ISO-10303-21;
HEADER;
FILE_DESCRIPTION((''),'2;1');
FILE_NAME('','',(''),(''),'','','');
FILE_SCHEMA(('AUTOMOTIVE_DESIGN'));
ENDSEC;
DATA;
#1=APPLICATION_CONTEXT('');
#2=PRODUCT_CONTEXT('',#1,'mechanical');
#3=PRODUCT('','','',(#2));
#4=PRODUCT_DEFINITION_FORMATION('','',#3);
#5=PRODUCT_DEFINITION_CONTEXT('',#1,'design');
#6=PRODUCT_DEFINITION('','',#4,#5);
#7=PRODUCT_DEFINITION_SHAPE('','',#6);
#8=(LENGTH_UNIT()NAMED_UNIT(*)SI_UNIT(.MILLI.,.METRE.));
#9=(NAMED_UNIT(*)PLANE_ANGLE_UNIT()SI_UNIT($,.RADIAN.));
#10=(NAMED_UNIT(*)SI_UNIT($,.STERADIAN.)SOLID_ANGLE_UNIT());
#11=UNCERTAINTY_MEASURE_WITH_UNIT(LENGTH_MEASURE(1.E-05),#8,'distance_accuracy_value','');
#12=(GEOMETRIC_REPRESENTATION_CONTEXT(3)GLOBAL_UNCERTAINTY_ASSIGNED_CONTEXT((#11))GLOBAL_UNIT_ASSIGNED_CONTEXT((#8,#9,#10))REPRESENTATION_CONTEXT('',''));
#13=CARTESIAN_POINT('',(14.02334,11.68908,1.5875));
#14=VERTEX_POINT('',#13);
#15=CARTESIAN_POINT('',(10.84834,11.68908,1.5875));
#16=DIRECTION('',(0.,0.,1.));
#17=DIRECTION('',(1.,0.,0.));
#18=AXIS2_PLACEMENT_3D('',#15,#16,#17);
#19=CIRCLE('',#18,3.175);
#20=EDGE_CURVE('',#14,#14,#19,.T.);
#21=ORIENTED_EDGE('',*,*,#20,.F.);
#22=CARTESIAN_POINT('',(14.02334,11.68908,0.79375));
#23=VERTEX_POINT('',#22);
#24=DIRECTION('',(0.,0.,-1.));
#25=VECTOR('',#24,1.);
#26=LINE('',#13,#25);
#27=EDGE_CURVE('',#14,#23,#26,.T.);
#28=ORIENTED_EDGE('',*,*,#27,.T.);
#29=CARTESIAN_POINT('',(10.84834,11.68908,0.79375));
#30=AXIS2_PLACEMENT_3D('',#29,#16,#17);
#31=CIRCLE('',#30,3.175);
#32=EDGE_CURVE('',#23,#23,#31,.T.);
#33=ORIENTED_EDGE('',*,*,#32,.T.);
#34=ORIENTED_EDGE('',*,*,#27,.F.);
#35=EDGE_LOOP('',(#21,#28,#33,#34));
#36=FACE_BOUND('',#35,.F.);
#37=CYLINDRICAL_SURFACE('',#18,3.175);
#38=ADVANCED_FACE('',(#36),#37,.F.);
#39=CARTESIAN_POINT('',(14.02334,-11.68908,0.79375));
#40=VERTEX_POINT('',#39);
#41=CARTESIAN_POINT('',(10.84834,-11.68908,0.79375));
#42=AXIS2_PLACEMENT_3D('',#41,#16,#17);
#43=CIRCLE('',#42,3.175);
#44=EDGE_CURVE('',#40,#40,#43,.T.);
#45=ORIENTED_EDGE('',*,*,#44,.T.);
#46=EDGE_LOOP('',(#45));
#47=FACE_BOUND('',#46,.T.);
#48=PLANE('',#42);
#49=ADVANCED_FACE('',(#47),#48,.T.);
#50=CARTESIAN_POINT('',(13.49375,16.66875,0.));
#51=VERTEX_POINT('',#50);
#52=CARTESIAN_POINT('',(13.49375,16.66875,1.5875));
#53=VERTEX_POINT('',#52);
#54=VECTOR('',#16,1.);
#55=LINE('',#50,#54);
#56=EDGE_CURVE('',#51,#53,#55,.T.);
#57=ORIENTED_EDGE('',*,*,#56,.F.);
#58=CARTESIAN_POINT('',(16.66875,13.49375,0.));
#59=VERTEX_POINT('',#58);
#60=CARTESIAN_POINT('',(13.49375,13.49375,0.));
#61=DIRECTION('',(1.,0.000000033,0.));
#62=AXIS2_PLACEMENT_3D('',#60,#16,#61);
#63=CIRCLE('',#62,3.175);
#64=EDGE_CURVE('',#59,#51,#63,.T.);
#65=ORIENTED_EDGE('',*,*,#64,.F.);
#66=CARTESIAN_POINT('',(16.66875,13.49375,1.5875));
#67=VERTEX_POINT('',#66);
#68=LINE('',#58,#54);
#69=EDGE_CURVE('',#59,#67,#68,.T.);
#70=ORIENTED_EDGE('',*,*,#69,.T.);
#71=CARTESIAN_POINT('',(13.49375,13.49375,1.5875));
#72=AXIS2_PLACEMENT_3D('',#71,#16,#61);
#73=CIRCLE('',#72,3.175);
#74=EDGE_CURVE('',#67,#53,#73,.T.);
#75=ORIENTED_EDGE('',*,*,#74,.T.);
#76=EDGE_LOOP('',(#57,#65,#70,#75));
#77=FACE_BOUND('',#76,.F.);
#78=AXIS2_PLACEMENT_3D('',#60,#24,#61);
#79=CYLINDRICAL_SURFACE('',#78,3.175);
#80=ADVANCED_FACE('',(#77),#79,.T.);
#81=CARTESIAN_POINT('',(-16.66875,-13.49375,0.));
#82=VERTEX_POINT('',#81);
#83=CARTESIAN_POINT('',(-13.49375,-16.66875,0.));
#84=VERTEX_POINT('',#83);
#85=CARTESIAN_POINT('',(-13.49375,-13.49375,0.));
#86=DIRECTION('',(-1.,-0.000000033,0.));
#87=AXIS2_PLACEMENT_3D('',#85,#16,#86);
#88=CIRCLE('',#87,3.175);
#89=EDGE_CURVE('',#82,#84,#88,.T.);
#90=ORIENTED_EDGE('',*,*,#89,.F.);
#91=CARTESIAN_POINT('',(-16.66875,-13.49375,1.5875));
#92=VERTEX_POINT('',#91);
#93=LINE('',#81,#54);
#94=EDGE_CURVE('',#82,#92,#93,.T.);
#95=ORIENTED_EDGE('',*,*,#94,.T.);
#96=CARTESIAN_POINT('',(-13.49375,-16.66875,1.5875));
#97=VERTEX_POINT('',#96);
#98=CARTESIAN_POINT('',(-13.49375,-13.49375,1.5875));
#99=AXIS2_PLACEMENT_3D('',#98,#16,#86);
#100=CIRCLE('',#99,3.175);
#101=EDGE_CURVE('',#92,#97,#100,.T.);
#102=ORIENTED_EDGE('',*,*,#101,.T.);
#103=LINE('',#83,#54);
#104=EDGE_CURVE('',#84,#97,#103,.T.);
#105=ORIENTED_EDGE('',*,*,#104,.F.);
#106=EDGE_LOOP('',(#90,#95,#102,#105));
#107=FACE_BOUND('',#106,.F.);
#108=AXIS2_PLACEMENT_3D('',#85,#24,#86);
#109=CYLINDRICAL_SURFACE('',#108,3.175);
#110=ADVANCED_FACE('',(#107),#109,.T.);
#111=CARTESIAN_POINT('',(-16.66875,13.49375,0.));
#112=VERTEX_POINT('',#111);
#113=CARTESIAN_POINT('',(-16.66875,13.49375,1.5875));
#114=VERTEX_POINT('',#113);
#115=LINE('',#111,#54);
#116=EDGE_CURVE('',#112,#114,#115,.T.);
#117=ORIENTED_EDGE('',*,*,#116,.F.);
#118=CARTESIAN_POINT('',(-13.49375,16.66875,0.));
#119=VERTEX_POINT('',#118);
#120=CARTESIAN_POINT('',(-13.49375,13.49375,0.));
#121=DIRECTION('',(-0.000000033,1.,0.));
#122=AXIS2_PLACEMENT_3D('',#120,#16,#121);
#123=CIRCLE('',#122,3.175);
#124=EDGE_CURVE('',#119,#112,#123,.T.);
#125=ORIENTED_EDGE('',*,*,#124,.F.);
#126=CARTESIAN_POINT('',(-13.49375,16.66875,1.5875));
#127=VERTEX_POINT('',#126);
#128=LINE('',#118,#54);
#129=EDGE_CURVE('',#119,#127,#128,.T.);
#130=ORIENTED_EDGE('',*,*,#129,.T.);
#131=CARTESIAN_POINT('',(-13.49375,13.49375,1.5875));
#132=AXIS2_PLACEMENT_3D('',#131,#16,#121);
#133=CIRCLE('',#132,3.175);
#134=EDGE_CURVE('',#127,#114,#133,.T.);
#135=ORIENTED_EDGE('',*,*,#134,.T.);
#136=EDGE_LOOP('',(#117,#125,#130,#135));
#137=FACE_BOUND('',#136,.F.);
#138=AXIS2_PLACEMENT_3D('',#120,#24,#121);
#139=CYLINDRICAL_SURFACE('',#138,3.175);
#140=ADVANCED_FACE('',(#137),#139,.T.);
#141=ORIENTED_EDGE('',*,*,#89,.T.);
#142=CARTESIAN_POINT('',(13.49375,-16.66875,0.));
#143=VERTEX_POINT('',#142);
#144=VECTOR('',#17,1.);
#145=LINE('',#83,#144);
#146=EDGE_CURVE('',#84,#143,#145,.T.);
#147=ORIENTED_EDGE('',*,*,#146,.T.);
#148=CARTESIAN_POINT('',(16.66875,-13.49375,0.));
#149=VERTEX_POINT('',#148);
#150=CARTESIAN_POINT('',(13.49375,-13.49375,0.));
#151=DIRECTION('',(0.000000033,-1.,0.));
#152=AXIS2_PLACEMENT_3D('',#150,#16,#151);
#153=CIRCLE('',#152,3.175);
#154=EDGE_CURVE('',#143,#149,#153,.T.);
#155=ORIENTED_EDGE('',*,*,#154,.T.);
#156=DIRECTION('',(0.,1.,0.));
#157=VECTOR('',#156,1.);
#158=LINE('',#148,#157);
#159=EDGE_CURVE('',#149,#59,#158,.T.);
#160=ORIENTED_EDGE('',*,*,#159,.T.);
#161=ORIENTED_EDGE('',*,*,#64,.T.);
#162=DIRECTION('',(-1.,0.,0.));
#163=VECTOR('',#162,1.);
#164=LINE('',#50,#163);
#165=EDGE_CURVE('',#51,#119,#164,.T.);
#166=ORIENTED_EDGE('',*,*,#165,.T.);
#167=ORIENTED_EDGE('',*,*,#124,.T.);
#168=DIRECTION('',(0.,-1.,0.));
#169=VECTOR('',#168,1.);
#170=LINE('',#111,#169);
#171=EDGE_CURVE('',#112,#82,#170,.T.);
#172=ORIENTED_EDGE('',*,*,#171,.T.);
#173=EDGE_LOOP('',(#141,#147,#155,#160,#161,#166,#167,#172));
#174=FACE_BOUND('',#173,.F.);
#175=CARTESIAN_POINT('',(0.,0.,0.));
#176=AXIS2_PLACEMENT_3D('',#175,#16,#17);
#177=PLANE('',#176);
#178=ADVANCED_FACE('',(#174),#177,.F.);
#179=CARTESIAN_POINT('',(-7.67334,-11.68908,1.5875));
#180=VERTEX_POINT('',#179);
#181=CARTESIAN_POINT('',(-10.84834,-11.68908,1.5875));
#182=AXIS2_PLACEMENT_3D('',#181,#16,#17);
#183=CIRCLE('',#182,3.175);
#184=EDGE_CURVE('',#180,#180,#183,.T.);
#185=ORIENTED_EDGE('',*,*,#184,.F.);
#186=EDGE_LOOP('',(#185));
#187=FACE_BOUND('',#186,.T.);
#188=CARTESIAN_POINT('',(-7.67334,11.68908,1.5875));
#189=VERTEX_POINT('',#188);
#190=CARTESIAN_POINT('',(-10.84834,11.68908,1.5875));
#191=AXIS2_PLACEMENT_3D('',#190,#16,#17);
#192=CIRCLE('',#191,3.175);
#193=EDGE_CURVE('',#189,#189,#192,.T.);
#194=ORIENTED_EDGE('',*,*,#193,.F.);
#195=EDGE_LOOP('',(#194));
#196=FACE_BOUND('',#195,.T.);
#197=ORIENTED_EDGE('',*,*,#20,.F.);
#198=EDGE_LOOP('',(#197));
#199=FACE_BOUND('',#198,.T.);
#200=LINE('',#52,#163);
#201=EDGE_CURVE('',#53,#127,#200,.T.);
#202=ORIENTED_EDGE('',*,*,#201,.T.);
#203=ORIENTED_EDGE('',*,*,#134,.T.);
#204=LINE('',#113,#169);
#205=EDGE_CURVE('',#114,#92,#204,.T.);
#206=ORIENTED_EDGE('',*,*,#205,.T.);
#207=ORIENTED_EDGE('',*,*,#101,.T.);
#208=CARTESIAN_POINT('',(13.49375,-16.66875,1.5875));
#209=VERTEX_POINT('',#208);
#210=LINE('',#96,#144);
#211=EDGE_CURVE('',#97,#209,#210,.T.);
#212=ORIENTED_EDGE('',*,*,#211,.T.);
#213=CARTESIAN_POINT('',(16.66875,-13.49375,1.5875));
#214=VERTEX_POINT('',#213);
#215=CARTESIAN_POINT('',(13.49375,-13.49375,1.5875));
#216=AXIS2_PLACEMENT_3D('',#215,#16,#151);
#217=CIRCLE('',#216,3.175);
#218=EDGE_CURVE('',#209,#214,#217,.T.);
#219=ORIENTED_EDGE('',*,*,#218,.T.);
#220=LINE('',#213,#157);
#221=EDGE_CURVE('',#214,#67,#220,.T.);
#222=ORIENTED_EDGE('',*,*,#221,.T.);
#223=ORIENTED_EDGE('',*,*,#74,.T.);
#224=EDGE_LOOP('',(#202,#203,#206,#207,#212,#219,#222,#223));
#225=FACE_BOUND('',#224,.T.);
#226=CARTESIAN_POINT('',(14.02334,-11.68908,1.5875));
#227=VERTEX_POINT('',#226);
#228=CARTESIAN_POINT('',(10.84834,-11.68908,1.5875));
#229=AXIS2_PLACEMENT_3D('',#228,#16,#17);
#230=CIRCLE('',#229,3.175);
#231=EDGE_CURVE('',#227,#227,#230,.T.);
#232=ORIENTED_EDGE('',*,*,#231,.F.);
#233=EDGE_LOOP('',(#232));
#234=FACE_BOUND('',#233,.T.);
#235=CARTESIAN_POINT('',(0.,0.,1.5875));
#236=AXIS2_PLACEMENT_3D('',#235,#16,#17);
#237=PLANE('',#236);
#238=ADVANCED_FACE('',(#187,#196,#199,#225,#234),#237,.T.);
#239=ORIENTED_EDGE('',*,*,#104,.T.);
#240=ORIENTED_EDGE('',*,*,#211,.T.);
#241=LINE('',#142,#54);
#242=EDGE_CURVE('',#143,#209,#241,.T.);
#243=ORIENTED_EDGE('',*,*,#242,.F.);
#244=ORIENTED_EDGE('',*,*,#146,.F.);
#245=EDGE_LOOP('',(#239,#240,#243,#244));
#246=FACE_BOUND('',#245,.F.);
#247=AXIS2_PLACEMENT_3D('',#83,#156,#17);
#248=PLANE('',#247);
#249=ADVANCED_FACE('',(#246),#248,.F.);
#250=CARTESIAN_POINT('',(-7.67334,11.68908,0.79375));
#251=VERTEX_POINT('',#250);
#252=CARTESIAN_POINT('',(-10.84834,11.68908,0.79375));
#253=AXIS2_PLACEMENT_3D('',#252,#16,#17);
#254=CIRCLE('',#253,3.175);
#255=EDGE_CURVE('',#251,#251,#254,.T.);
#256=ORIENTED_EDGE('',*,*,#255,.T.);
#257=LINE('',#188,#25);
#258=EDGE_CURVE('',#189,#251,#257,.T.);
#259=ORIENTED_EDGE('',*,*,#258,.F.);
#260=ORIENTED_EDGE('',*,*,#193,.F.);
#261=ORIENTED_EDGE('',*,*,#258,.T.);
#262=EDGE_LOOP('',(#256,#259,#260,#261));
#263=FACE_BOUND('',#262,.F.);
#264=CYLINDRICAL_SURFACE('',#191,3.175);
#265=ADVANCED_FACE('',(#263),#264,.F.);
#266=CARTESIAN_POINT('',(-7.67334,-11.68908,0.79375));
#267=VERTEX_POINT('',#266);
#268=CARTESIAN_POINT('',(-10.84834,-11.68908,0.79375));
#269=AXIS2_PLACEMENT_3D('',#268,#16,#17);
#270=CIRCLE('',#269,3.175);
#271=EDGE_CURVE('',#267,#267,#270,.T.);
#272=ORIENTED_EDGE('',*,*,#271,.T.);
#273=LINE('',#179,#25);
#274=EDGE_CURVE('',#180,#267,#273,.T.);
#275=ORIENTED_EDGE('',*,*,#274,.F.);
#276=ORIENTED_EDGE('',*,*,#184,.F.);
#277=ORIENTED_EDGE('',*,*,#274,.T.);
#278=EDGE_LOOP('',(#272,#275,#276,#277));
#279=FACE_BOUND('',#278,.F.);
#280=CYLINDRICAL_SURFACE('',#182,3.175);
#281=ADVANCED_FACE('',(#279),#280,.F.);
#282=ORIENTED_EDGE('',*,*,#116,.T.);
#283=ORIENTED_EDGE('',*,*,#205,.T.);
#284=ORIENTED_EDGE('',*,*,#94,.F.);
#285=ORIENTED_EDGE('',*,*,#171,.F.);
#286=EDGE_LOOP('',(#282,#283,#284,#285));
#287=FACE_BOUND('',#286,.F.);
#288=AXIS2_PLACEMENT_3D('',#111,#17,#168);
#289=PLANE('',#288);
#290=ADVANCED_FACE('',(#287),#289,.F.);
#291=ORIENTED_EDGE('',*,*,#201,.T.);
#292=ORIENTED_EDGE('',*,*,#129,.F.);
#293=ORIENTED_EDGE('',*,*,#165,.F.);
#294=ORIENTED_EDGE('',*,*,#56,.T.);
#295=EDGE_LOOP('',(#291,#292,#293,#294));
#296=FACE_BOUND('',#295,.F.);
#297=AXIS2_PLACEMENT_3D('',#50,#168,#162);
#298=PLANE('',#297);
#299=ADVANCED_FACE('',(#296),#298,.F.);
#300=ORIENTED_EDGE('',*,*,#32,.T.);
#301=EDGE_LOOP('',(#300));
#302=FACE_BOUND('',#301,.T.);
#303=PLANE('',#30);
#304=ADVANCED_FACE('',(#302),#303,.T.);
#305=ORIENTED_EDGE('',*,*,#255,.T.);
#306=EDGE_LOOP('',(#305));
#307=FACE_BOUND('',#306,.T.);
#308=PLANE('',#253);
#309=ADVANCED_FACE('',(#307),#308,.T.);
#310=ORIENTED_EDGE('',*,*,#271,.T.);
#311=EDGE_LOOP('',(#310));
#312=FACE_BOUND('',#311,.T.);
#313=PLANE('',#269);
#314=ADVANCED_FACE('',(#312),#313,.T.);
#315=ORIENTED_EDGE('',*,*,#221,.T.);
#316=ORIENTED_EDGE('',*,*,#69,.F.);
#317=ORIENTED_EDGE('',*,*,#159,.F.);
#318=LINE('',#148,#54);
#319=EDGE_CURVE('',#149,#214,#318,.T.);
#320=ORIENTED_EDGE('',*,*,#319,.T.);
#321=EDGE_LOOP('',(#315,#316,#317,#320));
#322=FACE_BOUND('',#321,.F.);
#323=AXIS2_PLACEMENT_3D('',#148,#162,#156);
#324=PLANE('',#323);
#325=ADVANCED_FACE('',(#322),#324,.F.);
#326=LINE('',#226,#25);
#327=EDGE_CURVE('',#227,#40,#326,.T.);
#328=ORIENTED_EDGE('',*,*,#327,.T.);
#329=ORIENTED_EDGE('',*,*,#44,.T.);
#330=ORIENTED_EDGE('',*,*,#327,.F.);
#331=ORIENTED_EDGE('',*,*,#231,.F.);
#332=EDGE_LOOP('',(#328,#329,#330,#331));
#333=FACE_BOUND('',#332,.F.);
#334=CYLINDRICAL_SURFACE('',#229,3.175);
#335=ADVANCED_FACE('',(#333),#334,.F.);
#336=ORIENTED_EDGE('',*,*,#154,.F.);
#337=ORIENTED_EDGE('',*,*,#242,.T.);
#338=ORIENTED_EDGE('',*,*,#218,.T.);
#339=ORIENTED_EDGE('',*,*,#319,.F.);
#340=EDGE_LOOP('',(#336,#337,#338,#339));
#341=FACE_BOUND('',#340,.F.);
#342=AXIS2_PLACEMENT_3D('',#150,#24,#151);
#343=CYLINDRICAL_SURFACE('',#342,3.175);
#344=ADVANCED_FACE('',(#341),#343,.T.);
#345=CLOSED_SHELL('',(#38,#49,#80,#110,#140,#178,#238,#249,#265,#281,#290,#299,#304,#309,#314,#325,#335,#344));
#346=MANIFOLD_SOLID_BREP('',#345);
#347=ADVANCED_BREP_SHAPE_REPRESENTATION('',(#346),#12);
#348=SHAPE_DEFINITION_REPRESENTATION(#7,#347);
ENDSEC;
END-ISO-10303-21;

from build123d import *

# Parameters (mm, degrees)
F1_DEPTH = 1.5875
F2_R     = 3.175
F3_DEPTH = 0.79375


with BuildPart() as f1:
    # F0 (on Top) → F1 (new body)
    with BuildSketch(Plane.XY):
        with BuildLine():
            Line((-13.49375, -16.66875), (13.49375, -16.66875))
            ThreePointArc((13.49375, -16.66875), (15.738814, -15.738814), (16.66875, -13.49375))
            Line((16.66875, -13.49375), (16.66875, 13.49375))
            ThreePointArc((16.66875, 13.49375), (15.738814, 15.738814), (13.49375, 16.66875))
            Line((13.49375, 16.66875), (-13.49375, 16.66875))
            ThreePointArc((-13.49375, 16.66875), (-15.738814, 15.738814), (-16.66875, 13.49375))
            Line((-16.66875, 13.49375), (-16.66875, -13.49375))
            ThreePointArc((-16.66875, -13.49375), (-15.738814, -15.738814), (-13.49375, -16.66875))
        make_face()
    extrude(amount=F1_DEPTH)

    # F2 (on face) → F3 (cut)
    with BuildSketch(Plane.XY.offset(1.5875)):
        with Locations((-10.84834, 11.68908)):
            Circle(F2_R)
        with Locations((10.84834, 11.68908)):
            Circle(F2_R)
        with Locations((10.84834, -11.68908)):
            Circle(F2_R)
        with Locations((-10.84834, -11.68908)):
            Circle(F2_R)
    extrude(amount=-F3_DEPTH, mode=Mode.SUBTRACT)


solid = f1.part
